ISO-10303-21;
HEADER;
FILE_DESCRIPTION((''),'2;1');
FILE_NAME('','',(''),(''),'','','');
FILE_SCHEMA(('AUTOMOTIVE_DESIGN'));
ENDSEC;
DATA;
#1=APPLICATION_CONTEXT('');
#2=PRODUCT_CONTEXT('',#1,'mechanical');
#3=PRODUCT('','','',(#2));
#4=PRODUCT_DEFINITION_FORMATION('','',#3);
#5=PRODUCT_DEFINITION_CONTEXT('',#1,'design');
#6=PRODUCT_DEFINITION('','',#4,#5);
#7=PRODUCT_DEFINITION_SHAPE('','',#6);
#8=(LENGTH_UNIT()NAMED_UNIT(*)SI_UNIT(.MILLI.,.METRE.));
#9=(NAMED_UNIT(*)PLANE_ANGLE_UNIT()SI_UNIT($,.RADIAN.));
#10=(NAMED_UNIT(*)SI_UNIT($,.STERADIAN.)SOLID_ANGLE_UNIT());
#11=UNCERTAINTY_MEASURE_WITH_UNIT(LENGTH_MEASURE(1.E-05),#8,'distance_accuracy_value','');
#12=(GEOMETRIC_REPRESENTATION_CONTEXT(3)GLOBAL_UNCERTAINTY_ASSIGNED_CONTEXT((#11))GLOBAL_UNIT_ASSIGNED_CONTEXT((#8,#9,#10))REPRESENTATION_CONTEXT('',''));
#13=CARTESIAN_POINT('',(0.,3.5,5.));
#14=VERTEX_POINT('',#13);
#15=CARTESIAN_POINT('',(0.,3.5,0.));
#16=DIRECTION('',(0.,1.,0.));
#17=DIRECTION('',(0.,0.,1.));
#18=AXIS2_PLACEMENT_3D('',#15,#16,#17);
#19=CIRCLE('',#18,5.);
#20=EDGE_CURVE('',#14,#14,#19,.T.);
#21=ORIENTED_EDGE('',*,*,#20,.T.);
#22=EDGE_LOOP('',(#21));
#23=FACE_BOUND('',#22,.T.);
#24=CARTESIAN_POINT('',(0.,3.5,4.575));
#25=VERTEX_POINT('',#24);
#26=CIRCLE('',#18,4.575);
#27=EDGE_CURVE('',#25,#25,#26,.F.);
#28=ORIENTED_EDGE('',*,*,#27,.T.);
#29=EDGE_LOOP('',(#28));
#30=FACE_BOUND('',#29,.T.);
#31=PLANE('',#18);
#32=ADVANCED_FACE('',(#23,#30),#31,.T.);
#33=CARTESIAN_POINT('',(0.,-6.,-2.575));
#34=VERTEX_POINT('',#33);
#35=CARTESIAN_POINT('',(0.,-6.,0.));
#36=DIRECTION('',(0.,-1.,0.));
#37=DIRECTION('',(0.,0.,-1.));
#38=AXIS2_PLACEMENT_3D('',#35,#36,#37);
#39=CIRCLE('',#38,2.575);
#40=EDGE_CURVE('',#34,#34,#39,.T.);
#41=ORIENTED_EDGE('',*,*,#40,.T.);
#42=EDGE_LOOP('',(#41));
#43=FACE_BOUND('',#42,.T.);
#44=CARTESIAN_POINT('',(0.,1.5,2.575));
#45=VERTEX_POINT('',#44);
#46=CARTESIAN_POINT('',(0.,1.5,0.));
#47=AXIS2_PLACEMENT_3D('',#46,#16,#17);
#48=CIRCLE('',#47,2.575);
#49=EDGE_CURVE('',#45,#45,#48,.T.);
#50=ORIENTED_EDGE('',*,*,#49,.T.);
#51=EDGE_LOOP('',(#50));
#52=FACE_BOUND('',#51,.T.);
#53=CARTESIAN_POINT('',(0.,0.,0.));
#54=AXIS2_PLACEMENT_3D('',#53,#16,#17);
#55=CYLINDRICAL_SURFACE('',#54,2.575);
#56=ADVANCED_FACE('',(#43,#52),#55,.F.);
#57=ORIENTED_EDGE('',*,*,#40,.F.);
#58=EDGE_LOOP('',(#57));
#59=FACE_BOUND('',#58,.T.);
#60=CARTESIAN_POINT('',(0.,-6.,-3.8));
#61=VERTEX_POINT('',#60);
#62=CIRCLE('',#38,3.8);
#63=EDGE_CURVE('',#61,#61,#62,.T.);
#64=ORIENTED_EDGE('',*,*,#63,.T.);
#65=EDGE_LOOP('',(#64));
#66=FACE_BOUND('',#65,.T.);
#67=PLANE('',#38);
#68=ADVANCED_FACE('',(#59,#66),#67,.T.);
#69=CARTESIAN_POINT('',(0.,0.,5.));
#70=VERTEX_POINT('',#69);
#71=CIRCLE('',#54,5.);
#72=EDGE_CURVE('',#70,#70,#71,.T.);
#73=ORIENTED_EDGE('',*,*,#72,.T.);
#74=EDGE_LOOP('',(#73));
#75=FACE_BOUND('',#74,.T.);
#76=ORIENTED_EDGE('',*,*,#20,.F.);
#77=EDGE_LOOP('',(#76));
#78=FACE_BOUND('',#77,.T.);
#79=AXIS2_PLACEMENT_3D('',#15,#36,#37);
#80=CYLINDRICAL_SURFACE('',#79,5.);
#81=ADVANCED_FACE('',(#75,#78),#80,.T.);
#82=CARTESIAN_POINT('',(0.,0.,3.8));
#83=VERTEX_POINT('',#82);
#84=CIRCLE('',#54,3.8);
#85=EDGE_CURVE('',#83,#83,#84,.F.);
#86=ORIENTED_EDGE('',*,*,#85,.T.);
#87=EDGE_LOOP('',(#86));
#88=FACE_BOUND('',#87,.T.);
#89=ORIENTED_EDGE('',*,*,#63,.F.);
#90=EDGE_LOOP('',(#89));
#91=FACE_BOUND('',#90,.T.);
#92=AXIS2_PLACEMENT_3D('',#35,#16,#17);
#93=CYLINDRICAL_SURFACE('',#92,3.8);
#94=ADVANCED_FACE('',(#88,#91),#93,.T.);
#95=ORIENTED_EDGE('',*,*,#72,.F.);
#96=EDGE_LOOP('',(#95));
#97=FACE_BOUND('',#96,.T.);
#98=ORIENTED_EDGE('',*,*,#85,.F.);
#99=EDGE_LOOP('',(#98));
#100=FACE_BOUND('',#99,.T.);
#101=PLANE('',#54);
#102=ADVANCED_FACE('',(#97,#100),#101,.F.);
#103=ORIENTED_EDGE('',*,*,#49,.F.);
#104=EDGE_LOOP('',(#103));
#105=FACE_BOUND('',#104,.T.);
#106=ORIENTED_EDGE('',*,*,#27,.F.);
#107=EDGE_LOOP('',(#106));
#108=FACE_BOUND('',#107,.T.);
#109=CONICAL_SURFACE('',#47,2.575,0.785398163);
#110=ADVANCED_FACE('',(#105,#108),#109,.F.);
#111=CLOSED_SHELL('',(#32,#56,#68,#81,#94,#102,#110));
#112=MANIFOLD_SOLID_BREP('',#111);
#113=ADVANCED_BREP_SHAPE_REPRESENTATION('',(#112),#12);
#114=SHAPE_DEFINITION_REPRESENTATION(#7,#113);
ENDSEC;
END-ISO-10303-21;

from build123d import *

# Parameters (mm, degrees)
SKETCH1_R           = 5
BOSS_EXTRUDE1_DEPTH = 3.5
SKETCH2_R           = 2.575
CUT_EXTRUDE1_DEPTH  = 3.5
CHAMFER1_SIZE       = 2
SKETCH3_R           = 3.8
BOSS_EXTRUDE2_DEPTH = 6
SKETCH4_R           = 2.575
CUT_EXTRUDE2_DEPTH  = 6


with BuildPart() as part:
    # Sketch1 → Boss-Extrude1 (new body)
    with BuildSketch(Plane(origin=(0, 0, 0), x_dir=(1, 0, 0), z_dir=(0, 1, 0))):
        Circle(SKETCH1_R)
    extrude(amount=BOSS_EXTRUDE1_DEPTH)

    # Sketch2 → Cut-Extrude1 (cut)
    with BuildSketch(Plane(origin=(0, 3.5, 0), x_dir=(1, 0, 0), z_dir=(0, 1, 0))):
        Circle(SKETCH2_R)
    extrude(amount=-CUT_EXTRUDE1_DEPTH, mode=Mode.SUBTRACT)

    # Chamfer1
    chamfer1_edges = [part.edges().sort_by_distance(p)[0] for p in [
        (-2.575, 3.5, 0),
    ]]
    chamfer(chamfer1_edges, length=CHAMFER1_SIZE)

    # Sketch3 → Boss-Extrude2 (add)
    with BuildSketch(Plane.XZ):
        Circle(SKETCH3_R)
    extrude(amount=BOSS_EXTRUDE2_DEPTH)

    # Sketch4 → Cut-Extrude2 (cut)
    with BuildSketch(Plane.XZ.offset(6)):
        Circle(SKETCH4_R)
    extrude(amount=-CUT_EXTRUDE2_DEPTH, mode=Mode.SUBTRACT)


solid = part.part
